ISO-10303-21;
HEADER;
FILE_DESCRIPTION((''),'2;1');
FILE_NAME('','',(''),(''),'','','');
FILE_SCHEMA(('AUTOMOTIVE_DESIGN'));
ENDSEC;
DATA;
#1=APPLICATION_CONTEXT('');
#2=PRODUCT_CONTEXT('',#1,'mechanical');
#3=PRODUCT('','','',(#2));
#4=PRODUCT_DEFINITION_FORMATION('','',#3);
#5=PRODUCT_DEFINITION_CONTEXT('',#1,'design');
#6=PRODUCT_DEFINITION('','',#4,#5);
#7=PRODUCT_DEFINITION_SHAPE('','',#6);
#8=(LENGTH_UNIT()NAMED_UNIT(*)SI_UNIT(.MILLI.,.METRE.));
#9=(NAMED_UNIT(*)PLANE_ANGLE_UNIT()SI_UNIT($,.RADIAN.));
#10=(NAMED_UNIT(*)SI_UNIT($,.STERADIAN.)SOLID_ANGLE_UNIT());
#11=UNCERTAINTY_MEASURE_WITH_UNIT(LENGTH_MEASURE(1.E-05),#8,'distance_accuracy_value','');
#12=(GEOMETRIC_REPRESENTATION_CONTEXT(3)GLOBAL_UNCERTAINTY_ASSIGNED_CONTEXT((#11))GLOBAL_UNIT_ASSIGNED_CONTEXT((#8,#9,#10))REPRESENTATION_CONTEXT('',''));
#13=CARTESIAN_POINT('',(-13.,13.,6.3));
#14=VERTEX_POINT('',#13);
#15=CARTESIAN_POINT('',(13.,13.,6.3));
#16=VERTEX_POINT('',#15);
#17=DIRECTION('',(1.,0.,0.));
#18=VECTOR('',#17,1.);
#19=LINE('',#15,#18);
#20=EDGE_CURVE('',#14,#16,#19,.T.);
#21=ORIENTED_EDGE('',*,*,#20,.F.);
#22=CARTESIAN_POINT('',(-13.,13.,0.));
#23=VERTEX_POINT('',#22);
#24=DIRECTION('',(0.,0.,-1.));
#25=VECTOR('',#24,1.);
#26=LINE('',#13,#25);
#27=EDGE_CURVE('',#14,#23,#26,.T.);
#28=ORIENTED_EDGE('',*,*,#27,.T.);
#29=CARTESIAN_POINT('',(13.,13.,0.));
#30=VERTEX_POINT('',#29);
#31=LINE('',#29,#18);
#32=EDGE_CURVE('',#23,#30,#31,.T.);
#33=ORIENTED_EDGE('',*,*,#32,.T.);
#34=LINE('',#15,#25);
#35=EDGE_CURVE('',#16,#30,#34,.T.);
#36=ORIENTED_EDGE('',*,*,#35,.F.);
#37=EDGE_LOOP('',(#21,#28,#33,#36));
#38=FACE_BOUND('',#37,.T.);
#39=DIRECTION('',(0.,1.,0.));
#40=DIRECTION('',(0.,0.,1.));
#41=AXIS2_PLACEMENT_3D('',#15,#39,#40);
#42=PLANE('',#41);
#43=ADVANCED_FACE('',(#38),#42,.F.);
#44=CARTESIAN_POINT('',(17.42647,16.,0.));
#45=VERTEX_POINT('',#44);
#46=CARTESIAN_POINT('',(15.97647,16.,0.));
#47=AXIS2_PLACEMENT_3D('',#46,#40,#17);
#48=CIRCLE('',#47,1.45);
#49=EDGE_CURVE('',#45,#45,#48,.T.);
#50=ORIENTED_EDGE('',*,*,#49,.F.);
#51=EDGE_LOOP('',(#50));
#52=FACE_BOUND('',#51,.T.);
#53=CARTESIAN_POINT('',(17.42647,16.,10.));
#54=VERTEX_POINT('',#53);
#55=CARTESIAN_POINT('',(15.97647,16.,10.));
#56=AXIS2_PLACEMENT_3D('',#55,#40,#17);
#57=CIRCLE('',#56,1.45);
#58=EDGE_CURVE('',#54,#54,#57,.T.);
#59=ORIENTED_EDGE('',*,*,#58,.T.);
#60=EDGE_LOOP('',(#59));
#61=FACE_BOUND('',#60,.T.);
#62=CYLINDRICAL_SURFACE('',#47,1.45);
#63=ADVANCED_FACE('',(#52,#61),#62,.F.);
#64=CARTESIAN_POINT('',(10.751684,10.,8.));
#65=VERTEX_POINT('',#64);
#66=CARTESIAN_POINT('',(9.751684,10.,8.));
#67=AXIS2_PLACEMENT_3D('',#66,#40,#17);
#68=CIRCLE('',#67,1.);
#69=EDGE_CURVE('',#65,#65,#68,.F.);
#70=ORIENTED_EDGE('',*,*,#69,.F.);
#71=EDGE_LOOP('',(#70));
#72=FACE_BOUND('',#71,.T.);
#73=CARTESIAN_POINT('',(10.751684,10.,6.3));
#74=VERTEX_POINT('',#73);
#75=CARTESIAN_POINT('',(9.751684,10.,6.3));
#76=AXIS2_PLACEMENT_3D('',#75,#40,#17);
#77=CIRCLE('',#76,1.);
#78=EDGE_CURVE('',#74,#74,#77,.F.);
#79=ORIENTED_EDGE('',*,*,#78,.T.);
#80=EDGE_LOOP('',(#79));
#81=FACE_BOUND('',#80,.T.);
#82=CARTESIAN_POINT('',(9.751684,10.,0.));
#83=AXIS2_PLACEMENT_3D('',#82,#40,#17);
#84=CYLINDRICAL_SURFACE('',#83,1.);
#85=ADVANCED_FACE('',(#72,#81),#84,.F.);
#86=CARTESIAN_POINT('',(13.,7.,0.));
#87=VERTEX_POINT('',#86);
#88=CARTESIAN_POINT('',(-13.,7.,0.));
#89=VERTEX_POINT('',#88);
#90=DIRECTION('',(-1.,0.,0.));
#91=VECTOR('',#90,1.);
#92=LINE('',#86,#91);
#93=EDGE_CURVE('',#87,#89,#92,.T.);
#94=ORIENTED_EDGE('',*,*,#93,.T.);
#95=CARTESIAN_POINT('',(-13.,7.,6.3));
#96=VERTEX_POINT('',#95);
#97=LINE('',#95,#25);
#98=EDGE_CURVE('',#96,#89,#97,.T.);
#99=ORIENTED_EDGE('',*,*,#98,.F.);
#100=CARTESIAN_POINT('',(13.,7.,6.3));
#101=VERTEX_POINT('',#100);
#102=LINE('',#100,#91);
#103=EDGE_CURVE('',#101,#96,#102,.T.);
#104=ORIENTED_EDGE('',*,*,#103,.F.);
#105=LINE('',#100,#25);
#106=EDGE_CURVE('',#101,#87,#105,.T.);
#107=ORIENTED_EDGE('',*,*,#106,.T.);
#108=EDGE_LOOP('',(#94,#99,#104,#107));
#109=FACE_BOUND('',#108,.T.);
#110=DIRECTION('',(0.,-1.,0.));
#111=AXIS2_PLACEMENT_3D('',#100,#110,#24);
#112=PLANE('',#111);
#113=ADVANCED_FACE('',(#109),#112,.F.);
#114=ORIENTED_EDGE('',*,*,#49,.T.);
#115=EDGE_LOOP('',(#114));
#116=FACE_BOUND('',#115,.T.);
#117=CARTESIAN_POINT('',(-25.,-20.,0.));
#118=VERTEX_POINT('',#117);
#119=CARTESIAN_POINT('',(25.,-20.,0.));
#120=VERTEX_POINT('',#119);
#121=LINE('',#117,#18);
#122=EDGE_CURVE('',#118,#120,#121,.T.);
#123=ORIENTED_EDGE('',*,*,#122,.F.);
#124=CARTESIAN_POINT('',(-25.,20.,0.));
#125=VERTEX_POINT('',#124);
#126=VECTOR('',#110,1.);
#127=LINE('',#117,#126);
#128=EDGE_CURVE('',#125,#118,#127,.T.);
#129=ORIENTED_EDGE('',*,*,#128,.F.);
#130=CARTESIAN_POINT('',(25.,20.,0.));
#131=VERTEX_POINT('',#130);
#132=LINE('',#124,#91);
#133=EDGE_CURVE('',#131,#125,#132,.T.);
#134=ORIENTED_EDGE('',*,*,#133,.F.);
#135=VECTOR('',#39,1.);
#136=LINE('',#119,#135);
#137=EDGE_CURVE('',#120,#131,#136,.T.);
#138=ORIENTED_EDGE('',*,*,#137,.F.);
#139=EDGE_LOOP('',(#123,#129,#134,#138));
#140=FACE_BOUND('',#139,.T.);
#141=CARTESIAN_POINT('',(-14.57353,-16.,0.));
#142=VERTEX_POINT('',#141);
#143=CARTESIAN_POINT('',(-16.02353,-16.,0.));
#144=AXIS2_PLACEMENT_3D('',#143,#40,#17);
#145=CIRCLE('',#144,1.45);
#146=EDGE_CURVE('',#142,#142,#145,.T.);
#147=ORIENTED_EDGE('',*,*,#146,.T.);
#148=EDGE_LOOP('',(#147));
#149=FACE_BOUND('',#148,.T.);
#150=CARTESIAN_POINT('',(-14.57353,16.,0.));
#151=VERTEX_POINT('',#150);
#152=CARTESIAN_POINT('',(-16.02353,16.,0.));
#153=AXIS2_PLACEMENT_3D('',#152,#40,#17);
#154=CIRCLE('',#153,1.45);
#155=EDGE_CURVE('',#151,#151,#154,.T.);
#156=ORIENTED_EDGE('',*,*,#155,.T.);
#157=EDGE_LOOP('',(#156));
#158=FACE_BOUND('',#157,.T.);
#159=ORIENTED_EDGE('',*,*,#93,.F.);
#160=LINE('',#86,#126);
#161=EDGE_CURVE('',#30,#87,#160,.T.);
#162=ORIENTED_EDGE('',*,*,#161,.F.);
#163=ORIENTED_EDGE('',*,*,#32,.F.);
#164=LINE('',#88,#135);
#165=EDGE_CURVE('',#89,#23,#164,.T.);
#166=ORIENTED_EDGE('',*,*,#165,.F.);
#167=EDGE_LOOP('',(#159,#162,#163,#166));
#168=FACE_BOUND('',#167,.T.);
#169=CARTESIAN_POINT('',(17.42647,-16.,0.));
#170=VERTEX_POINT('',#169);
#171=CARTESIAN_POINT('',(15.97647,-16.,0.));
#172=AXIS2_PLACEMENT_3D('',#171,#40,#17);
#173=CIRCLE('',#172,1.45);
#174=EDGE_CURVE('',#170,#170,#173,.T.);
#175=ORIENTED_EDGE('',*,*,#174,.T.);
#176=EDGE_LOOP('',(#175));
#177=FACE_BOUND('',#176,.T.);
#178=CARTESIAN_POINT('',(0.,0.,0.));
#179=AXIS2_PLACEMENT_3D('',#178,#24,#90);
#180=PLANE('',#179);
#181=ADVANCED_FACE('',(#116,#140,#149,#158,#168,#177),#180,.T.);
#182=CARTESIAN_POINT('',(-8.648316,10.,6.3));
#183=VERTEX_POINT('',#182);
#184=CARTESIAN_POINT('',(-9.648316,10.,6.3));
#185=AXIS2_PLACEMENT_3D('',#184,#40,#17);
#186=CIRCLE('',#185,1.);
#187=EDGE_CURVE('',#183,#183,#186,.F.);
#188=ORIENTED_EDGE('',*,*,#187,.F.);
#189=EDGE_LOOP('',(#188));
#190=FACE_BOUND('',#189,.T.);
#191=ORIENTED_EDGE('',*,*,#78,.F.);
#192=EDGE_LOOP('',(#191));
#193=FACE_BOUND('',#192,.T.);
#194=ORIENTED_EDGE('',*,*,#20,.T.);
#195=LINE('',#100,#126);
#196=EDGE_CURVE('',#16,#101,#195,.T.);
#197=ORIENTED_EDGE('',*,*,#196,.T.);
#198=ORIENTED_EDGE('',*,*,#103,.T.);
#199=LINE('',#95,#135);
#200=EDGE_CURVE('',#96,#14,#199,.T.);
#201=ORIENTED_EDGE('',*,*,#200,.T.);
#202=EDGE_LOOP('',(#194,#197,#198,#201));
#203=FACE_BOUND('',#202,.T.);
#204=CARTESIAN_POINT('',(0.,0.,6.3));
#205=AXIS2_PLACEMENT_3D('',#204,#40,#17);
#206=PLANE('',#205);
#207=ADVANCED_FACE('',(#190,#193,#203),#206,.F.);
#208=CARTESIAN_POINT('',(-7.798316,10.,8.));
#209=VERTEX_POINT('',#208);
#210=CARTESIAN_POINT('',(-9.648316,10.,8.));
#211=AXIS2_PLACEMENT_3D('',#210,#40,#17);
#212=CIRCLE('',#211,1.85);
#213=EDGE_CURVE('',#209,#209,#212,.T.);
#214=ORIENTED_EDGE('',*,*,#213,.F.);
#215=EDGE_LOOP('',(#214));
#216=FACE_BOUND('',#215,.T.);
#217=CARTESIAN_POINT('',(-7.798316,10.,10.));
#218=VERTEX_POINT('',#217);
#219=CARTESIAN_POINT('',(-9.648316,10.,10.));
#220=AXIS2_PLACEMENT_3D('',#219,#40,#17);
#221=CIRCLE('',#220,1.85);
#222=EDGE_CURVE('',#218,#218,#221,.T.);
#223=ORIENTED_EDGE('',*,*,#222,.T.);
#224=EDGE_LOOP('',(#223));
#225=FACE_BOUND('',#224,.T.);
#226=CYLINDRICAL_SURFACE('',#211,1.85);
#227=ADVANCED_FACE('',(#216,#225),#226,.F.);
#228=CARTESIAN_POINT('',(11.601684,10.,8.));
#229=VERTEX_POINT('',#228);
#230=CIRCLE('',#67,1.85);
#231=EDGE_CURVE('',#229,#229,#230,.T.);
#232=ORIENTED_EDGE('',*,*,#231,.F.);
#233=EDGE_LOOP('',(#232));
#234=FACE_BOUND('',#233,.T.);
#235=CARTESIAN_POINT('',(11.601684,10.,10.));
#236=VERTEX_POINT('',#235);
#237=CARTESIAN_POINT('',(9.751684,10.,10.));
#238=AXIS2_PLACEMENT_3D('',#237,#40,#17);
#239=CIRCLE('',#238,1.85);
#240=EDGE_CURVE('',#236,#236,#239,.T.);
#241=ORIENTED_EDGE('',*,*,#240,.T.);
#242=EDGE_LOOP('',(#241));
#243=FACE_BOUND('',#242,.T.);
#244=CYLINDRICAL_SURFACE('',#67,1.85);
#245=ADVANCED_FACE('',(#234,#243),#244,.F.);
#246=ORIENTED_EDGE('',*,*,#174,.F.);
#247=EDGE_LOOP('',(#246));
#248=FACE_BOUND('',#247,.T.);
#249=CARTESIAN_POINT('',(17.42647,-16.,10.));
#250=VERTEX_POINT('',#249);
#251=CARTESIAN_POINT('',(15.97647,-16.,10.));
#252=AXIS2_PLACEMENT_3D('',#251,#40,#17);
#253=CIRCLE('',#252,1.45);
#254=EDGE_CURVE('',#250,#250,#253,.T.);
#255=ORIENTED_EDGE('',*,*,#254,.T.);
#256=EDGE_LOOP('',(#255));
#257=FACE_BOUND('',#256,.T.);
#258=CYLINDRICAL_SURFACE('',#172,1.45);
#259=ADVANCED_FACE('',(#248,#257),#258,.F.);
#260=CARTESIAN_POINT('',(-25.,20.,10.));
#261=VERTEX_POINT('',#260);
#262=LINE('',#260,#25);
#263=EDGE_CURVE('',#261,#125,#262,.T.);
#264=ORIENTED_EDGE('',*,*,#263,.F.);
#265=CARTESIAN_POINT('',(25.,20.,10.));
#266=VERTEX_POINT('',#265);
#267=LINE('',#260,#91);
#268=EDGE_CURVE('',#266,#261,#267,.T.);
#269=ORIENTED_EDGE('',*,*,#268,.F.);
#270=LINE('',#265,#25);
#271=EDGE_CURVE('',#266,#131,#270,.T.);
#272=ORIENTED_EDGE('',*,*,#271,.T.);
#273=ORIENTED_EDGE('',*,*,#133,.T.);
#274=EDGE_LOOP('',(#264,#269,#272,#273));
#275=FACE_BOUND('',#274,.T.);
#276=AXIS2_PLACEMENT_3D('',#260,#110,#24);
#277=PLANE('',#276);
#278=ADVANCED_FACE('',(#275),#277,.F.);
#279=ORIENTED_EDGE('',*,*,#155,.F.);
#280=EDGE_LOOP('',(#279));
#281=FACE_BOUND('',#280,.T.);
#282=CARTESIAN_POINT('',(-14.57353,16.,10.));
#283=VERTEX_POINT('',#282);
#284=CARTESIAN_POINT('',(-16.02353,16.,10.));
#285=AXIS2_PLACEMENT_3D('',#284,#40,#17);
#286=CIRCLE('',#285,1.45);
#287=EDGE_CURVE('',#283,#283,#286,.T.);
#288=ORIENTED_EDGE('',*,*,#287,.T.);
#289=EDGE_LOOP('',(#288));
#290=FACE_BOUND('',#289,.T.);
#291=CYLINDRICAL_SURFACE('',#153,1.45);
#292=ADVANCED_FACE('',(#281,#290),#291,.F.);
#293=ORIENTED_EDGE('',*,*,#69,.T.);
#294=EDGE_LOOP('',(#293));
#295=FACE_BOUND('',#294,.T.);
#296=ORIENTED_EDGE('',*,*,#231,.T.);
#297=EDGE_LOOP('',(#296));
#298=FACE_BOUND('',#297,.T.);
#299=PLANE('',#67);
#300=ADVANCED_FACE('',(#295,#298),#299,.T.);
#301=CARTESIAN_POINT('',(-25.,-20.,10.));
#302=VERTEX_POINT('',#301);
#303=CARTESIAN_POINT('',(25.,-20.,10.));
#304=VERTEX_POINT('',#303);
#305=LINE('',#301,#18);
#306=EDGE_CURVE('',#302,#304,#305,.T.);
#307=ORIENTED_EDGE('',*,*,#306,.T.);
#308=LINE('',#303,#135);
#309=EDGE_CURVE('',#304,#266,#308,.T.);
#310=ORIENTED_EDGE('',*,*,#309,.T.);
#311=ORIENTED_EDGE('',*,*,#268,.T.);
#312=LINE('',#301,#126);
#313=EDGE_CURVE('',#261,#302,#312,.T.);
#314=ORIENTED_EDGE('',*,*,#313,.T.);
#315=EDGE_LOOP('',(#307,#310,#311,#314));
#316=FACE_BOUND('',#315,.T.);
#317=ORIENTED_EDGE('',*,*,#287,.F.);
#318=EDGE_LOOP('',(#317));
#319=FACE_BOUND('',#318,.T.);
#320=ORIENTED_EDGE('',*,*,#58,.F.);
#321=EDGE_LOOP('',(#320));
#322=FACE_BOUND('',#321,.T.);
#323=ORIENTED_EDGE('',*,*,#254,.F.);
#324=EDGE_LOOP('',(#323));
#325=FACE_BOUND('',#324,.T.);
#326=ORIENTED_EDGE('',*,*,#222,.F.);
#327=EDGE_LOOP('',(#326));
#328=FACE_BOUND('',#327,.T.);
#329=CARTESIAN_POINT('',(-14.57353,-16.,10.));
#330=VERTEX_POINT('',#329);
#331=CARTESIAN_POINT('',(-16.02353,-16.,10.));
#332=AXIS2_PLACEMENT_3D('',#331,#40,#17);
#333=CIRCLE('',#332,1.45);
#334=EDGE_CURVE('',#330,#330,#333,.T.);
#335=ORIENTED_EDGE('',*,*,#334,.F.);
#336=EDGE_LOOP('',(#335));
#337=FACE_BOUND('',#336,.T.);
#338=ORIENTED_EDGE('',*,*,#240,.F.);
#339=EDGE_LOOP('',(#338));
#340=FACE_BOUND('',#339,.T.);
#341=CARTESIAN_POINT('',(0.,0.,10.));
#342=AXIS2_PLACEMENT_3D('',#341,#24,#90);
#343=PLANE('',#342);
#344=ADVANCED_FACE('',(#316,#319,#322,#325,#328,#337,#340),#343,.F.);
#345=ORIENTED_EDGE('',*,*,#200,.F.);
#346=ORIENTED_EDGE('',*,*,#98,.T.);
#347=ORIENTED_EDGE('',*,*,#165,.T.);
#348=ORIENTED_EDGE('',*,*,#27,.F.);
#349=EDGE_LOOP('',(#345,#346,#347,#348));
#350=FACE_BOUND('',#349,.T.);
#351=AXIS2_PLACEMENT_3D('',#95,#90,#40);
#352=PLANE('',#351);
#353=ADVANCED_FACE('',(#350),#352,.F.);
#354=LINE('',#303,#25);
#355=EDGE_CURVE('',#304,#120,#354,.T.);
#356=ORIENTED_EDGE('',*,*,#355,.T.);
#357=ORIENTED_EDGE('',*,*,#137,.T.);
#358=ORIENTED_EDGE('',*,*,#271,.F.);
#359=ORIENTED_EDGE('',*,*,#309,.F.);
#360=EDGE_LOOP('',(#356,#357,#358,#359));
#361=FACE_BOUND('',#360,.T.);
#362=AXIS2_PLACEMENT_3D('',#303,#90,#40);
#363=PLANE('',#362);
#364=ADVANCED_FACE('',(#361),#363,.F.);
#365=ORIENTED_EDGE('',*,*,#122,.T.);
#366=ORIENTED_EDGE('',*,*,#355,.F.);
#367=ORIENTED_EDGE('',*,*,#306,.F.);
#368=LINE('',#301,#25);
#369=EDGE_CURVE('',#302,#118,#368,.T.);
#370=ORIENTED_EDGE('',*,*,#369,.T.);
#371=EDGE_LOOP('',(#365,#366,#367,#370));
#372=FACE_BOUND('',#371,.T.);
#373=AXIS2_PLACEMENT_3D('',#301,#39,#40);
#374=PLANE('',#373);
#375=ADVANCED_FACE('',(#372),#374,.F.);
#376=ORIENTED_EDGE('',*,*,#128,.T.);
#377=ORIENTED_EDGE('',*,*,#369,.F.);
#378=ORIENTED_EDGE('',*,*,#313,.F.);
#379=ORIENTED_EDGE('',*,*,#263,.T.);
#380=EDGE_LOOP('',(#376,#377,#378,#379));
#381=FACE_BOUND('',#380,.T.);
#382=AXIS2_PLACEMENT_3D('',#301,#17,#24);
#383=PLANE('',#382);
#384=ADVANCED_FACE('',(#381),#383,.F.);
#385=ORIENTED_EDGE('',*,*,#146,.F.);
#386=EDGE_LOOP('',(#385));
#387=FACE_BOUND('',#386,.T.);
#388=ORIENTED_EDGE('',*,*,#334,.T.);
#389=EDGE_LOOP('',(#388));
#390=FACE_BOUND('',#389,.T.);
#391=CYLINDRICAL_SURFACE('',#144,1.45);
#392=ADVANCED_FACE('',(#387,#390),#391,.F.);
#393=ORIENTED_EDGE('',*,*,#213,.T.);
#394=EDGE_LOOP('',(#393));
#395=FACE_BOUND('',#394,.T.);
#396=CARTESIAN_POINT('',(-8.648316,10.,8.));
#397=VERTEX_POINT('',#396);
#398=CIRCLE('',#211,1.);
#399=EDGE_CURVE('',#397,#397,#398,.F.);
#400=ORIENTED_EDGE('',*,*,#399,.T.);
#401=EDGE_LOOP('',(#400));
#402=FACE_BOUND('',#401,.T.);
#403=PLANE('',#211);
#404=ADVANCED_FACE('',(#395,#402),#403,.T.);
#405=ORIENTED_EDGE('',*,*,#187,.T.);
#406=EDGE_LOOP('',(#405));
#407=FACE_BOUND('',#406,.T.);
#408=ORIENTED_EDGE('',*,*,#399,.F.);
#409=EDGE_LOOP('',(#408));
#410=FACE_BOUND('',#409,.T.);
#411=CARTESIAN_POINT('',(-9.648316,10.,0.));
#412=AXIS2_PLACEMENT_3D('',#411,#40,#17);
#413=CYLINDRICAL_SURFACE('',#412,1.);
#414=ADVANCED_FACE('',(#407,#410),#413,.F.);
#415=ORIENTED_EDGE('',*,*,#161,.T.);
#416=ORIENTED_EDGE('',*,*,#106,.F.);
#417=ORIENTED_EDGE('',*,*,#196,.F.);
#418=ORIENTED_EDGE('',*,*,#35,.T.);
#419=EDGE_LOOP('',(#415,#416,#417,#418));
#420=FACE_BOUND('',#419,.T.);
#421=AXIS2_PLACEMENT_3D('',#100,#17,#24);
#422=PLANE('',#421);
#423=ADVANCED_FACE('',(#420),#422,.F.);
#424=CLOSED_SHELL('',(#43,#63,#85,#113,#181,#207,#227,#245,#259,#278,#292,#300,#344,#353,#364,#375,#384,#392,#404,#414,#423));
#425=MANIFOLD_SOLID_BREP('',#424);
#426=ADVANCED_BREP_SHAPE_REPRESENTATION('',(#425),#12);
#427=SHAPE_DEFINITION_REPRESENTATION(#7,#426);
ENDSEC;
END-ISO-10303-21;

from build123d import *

# Parameters (mm, degrees)
SKETCH_1_W          = 50
SKETCH_1_H          = 40
EXTRUDE_1_DEPTH     = 10
SKETCH_2_R          = 1
CUT_EXTRUDE_1_DEPTH = 34.541019662
SKETCH_10_R         = 1.85
CUT_EXTRUDE_6_DEPTH = 2
SKETCH_11_W         = 26
SKETCH_11_H         = 6
CUT_EXTRUDE_7_DEPTH = 6.3
SKETCH_13_R         = 1.45
CUT_EXTRUDE_8_DEPTH = 10


with BuildPart() as part:
    # 草图1 → 凸台-拉伸1 (new body)
    with BuildSketch(Plane.XY):
        Rectangle(SKETCH_1_W, SKETCH_1_H)
    extrude(amount=EXTRUDE_1_DEPTH)

    # 草图2 → 切除-拉伸1 (cut, through all)
    with BuildSketch(Plane.XY.offset(10)):
        with Locations((-9.648315915, 10)):
            Circle(SKETCH_2_R)
        with Locations((9.751684085, 10)):
            Circle(SKETCH_2_R)
    extrude(amount=-CUT_EXTRUDE_1_DEPTH, mode=Mode.SUBTRACT)

    # 草图10 → 切除-拉伸6 (cut)
    with BuildSketch(Plane.XY.offset(10)):
        with Locations((-9.648315915, 10)):
            Circle(SKETCH_10_R)
        with Locations((9.751684085, 10)):
            Circle(SKETCH_10_R)
    extrude(amount=-CUT_EXTRUDE_6_DEPTH, mode=Mode.SUBTRACT)

    # 草图11 → 切除-拉伸7 (cut)
    with BuildSketch(Plane(origin=(0, 0, 0), x_dir=(-1, 0, 0), z_dir=(0, 0, -1))):
        with Locations((0, 10)):
            Rectangle(SKETCH_11_W, SKETCH_11_H)
    extrude(amount=-CUT_EXTRUDE_7_DEPTH, mode=Mode.SUBTRACT)

    # 草图13 → 切除-拉伸8 (cut)
    with BuildSketch(Plane.XY.offset(10)):
        with Locations((-16.023529812, 16)):
            Circle(SKETCH_13_R)
        with Locations((-16.023529812, -16)):
            Circle(SKETCH_13_R)
        with Locations((15.976470188, 16)):
            Circle(SKETCH_13_R)
        with Locations((15.976470188, -16)):
            Circle(SKETCH_13_R)
    extrude(amount=-CUT_EXTRUDE_8_DEPTH, mode=Mode.SUBTRACT)


solid = part.part
